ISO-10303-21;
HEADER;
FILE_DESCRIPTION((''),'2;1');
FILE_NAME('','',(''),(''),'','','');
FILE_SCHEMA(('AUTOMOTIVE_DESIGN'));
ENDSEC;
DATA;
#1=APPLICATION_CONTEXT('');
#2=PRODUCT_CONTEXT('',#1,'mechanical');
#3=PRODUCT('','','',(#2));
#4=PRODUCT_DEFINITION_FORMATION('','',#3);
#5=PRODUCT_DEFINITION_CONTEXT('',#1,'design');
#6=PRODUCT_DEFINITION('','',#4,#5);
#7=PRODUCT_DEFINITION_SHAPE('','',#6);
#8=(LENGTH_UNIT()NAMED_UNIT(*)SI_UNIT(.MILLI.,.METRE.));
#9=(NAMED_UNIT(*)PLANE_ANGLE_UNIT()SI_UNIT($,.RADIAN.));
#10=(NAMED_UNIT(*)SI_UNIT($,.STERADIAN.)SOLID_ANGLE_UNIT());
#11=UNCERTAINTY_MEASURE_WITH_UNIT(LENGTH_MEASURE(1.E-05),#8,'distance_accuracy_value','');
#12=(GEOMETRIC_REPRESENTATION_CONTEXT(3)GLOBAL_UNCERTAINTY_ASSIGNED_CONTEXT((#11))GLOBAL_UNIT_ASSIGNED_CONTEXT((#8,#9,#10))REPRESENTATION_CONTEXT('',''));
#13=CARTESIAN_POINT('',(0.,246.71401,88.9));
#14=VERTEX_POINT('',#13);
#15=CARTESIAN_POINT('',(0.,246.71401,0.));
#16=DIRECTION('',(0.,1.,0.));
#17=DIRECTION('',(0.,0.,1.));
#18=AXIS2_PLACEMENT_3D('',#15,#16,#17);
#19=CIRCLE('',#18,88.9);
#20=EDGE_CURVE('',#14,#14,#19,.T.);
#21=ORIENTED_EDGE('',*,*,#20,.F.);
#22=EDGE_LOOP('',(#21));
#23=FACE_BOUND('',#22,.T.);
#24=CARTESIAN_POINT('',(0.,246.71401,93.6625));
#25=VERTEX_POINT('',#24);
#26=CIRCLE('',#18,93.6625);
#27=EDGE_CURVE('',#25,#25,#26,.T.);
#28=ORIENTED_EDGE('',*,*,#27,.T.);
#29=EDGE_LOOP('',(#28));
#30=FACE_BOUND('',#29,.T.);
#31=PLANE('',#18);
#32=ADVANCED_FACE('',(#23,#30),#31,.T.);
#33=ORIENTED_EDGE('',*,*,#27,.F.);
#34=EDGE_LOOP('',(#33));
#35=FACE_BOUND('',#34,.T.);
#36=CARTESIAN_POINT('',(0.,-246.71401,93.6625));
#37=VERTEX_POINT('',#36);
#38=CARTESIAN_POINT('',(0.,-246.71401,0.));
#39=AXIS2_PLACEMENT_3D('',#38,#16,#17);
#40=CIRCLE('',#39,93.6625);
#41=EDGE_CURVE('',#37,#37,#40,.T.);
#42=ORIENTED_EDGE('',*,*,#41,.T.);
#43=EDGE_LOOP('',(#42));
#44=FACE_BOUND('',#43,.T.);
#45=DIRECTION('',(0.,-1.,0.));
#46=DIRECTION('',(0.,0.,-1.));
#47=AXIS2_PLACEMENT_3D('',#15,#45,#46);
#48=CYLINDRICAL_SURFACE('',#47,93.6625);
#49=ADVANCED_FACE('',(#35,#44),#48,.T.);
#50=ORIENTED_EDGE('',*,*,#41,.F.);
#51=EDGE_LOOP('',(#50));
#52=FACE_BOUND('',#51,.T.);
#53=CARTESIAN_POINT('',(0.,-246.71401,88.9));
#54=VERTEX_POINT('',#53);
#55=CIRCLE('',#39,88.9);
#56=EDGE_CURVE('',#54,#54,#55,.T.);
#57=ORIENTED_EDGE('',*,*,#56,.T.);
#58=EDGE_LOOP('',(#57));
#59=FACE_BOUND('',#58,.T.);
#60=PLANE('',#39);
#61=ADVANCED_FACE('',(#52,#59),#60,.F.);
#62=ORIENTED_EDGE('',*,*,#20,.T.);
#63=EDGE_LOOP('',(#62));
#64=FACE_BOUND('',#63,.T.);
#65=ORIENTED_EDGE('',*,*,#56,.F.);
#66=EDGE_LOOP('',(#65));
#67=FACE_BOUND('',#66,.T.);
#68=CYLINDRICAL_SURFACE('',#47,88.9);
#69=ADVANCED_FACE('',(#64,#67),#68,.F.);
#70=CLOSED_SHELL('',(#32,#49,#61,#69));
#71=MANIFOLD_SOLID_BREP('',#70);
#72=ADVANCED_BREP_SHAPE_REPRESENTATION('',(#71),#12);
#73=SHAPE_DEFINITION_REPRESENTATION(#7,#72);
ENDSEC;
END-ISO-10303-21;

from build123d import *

# Parameters (mm, degrees)
SKETCH1_R           = 93.6625
SKETCH1_R_2         = 88.9
BOSS_EXTRUDE1_DEPTH = 246.71401


with BuildPart() as part:
    # Sketch1 → Boss-Extrude1 (new body, symmetric)
    with BuildSketch(Plane(origin=(0, 0, 0), x_dir=(1, 0, 0), z_dir=(0, 1, 0))):
        Circle(SKETCH1_R)
        Circle(SKETCH1_R_2, mode=Mode.SUBTRACT)
    extrude(amount=BOSS_EXTRUDE1_DEPTH, both=True)


solid = part.part
